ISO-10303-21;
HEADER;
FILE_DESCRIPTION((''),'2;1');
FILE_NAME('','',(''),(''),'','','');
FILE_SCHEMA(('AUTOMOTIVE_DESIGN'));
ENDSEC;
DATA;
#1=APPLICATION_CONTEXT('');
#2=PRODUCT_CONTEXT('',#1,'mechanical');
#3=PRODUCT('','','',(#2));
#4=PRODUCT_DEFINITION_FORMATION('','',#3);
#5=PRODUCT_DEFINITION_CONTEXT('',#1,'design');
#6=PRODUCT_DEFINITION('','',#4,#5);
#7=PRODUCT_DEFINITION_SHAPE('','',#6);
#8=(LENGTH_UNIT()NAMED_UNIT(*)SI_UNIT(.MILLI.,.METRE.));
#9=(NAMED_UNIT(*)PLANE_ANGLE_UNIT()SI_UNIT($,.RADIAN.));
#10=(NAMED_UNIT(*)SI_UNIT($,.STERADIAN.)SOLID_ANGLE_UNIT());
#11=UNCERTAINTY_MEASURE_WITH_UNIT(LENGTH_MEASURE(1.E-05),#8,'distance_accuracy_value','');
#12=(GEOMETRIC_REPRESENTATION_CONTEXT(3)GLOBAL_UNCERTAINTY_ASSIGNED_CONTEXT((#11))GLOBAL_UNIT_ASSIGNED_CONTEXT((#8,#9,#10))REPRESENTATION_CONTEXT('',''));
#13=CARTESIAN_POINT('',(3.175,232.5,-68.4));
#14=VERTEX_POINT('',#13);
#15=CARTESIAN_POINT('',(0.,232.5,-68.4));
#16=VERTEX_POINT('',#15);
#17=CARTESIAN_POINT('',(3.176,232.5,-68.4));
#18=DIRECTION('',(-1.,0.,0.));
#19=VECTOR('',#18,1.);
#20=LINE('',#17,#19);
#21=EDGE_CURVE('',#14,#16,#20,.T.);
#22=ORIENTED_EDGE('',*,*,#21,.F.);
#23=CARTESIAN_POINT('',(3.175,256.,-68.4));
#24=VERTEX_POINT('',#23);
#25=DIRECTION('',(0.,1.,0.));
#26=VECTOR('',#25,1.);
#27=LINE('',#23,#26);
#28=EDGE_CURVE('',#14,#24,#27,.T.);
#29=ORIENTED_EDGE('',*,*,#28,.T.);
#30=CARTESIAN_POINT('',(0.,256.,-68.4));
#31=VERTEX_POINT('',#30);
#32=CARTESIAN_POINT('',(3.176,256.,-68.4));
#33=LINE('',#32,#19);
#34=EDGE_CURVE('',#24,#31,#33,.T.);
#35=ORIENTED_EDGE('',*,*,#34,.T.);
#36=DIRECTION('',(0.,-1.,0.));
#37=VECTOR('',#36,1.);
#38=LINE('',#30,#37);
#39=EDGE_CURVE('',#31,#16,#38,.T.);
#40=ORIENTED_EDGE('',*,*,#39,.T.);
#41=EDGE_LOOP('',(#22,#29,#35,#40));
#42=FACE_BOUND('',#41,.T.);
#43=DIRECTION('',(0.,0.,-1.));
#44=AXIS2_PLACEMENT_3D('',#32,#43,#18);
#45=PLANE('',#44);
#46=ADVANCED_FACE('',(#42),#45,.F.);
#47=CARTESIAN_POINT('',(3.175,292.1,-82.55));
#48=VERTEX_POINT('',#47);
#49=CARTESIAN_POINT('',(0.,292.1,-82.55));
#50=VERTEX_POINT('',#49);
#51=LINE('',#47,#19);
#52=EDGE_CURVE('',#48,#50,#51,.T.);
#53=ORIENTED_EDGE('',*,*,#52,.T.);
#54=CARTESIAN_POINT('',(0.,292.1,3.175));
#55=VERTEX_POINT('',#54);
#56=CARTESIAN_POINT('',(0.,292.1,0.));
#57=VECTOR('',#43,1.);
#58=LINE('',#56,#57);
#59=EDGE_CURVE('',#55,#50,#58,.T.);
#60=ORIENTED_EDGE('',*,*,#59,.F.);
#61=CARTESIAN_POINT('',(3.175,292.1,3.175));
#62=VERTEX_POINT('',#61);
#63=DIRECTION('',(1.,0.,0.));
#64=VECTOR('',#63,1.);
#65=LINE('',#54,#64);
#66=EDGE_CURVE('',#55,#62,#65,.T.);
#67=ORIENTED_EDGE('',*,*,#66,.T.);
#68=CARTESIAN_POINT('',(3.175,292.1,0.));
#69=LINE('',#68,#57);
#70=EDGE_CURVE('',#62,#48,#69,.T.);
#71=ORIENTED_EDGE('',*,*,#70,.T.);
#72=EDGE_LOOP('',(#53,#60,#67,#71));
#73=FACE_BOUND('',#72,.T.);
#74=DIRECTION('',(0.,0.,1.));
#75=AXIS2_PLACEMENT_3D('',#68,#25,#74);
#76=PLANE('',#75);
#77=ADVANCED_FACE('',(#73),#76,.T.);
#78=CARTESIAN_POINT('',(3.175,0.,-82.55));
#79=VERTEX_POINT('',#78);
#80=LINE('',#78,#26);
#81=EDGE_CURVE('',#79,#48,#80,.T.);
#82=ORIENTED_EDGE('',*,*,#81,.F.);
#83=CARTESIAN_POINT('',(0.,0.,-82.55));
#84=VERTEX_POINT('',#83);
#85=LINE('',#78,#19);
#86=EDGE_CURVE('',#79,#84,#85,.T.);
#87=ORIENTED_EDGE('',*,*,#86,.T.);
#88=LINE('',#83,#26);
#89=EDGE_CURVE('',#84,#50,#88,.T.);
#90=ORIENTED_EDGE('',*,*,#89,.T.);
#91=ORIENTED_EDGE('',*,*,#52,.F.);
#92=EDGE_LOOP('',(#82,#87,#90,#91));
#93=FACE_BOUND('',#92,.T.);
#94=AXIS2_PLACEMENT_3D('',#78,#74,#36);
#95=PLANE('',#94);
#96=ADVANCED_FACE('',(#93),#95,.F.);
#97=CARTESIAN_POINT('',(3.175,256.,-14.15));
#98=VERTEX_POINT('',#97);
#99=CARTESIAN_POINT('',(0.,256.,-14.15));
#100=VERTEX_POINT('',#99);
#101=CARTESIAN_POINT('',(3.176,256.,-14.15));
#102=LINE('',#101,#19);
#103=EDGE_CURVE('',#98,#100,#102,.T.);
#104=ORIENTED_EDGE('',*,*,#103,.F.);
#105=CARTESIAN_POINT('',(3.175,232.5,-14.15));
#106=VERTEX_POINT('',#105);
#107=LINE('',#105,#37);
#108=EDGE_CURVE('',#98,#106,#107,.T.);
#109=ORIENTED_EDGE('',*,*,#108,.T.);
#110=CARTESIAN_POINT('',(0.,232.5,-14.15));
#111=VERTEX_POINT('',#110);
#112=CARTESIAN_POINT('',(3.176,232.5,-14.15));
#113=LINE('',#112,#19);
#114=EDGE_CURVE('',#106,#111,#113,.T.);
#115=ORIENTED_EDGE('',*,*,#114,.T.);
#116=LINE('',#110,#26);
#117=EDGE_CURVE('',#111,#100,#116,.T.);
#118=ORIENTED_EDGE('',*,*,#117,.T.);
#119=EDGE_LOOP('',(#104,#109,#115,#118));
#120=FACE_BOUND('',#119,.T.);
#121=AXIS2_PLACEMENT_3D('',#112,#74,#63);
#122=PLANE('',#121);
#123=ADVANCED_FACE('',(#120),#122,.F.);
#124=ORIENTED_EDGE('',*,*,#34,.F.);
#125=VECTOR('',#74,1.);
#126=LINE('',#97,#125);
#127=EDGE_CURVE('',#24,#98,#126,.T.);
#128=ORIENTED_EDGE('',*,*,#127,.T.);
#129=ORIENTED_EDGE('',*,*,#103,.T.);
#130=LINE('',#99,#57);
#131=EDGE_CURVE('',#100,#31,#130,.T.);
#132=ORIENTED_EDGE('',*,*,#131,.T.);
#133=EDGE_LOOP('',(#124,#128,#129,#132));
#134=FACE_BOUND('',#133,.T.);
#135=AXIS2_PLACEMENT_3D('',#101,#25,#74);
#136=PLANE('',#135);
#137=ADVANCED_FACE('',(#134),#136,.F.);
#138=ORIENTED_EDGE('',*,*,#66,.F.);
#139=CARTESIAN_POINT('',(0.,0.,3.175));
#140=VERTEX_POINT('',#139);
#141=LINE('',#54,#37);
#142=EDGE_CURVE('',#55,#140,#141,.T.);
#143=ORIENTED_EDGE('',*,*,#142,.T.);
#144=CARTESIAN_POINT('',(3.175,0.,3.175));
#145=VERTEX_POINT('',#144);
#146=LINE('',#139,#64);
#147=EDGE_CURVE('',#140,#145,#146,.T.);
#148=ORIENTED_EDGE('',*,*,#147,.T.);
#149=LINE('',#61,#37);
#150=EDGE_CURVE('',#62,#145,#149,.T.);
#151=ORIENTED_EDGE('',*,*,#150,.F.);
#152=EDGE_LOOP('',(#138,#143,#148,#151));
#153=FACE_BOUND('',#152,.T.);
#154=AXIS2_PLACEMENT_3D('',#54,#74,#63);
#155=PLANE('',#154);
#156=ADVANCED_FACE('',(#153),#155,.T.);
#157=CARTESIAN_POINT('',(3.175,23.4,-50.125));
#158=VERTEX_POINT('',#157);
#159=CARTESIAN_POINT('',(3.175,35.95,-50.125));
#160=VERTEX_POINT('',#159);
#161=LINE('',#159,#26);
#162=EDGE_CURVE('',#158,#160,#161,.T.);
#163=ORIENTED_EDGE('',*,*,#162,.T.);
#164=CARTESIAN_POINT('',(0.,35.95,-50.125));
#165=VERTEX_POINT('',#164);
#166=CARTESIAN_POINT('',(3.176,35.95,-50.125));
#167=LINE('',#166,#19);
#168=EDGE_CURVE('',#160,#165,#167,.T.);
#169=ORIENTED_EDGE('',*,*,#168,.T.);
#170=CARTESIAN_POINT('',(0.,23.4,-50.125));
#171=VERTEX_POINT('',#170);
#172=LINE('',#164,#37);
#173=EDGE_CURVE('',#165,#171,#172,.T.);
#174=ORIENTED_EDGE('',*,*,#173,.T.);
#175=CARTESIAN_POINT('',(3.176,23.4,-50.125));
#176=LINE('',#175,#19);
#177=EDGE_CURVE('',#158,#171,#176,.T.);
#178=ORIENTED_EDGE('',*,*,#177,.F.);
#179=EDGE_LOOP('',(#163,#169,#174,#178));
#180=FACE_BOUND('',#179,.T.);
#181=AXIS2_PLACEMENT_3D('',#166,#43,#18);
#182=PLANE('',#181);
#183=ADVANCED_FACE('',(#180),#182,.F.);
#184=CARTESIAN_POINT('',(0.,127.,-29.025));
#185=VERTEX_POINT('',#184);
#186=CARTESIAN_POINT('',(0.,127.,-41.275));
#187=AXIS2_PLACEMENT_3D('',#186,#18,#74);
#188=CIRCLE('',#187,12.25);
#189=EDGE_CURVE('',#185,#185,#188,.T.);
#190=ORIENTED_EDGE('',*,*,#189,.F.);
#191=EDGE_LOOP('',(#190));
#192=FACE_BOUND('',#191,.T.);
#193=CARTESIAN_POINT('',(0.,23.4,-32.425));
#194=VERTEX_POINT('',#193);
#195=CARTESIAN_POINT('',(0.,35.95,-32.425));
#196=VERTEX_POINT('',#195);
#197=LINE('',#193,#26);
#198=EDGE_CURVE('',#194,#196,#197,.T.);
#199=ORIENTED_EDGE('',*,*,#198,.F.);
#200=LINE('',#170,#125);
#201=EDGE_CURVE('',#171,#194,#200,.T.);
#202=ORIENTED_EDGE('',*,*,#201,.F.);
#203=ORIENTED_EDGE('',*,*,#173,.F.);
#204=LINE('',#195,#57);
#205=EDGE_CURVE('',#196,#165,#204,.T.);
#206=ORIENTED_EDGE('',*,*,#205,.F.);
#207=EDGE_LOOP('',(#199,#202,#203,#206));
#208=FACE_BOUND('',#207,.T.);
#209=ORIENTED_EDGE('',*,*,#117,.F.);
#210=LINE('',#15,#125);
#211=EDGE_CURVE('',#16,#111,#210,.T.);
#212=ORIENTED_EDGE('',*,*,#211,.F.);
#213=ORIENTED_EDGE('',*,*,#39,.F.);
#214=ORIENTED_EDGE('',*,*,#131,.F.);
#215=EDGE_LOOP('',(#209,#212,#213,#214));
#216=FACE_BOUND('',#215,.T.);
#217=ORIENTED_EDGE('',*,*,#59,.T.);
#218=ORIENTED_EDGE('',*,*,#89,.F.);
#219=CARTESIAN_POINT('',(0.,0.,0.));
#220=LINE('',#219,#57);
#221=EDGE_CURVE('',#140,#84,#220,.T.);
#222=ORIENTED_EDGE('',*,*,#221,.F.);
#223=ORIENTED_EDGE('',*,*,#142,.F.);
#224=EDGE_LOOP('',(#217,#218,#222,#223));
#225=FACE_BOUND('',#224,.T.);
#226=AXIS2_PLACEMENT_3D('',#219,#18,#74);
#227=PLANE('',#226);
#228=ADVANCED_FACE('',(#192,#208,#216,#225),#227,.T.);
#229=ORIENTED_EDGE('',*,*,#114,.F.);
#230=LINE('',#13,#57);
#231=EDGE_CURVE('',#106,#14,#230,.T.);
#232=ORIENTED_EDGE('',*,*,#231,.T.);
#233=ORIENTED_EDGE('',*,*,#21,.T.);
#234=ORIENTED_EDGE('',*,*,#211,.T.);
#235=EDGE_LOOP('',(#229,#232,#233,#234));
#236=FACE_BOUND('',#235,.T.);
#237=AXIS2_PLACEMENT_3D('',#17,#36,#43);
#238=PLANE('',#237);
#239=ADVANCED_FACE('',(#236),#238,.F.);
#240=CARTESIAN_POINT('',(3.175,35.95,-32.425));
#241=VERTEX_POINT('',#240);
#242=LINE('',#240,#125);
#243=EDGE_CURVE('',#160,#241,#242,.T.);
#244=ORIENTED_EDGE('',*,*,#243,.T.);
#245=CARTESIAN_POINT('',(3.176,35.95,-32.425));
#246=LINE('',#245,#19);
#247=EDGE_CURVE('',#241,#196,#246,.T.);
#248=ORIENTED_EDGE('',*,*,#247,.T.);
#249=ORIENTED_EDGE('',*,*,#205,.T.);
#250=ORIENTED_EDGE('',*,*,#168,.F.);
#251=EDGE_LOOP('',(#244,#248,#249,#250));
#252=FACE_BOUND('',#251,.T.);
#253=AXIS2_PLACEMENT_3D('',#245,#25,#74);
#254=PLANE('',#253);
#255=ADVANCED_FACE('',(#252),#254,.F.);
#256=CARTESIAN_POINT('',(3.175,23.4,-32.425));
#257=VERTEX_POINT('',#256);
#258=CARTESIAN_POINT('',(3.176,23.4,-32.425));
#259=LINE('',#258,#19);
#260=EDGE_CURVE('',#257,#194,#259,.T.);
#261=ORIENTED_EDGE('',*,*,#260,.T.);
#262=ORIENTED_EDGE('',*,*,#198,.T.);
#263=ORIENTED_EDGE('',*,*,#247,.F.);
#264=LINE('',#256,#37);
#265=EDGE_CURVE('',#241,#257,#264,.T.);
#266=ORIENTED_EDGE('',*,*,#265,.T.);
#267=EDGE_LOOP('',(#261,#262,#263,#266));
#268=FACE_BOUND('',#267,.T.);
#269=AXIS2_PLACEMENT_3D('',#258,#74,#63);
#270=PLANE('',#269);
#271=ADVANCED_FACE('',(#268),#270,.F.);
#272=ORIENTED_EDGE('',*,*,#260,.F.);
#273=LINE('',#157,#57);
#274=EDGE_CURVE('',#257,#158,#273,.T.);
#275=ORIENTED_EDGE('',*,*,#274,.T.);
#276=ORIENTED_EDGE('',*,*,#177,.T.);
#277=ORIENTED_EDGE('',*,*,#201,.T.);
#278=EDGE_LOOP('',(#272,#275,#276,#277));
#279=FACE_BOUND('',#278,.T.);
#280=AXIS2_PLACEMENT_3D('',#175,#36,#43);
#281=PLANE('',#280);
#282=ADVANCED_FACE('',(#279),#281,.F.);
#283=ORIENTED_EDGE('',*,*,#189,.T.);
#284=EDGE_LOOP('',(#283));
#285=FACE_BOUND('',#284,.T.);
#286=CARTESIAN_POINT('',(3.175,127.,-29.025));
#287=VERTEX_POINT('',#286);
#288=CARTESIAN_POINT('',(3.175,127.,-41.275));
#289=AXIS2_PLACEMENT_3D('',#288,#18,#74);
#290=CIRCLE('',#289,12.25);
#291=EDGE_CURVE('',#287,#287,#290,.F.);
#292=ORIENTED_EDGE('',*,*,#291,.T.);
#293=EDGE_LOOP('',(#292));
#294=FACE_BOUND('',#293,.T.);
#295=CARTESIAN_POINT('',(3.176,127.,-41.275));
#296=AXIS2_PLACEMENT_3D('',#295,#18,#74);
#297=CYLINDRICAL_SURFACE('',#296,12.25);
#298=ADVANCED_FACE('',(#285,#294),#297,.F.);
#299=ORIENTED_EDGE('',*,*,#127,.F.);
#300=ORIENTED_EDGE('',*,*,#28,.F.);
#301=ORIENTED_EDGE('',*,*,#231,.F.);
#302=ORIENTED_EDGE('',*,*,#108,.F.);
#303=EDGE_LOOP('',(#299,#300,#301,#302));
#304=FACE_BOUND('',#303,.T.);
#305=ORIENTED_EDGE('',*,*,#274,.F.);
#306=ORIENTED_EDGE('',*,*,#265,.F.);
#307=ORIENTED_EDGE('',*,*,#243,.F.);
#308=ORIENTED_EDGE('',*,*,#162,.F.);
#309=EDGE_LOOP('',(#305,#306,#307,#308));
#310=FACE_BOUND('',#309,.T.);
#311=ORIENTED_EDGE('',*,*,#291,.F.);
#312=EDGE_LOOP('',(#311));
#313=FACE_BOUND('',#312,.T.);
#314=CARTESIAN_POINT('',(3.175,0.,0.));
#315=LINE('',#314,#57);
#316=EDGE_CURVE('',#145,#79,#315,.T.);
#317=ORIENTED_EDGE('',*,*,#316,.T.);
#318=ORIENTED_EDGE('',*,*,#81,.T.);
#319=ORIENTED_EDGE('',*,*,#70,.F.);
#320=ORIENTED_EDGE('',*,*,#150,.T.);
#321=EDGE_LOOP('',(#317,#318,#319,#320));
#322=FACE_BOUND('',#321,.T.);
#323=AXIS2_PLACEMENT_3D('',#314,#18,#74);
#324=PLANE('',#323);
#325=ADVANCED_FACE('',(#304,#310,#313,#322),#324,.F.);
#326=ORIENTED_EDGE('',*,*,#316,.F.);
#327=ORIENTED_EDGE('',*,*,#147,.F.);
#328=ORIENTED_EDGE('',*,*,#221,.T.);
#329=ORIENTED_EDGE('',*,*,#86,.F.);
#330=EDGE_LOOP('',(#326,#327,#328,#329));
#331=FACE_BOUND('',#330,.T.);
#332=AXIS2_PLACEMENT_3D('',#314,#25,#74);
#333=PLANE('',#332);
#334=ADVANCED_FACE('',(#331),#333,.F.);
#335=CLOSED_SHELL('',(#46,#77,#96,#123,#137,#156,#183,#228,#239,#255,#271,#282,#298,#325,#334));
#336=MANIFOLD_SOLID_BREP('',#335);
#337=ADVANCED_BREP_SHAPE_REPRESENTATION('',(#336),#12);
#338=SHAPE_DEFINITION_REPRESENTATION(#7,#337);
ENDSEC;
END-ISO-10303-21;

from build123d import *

# Parameters (mm, degrees)
SKETCH1_W           = 82.55
SKETCH1_H           = 292.1
BOSS_EXTRUDE1_DEPTH = 3.175
CUT_EXTRUDE1_REACH  = 305.557
SKETCH2_W           = 50.25
SKETCH2_H           = 19.5
CUT_EXTRUDE2_REACH  = 305.557
SKETCH4_R           = 10.25
CUT_EXTRUDE3_REACH  = 305.557
SKETCH5_W           = 13.7
SKETCH5_H           = 8.55
CUT_EXTRUDE4_REACH  = 305.557
SKETCH6_R           = 12.25
SKETCH6_R_2         = 10.25
SKETCH6_W           = 54.25
SKETCH6_H           = 23.5
SKETCH6_W_2         = 50.25
SKETCH6_H_2         = 19.5
SKETCH6_W_3         = 17.7
SKETCH6_H_3         = 12.55
SKETCH6_W_4         = 13.7
SKETCH6_H_4         = 8.55
SKETCH7_W           = 3.175
SKETCH7_H           = 292.1
BOSS_EXTRUDE2_DEPTH = 3.175


with BuildPart() as part:
    # Sketch1 → Boss-Extrude1 (new body)
    with BuildSketch(Plane(origin=(0, 0, 0), x_dir=(0, 0, -1), z_dir=(1, 0, 0))):
        with Locations((41.275, 146.05)):
            Rectangle(SKETCH1_W, SKETCH1_H)
    extrude(amount=BOSS_EXTRUDE1_DEPTH)

    # Sketch2 → Cut-Extrude1 (cut, up to next)
    with BuildSketch(Plane.ZY, mode=Mode.PRIVATE) as cut_extrude1_sk1:
        with Locations((-41.275, 244.25)):
            Rectangle(SKETCH2_W, SKETCH2_H)
    cut_extrude1_tool1 = extrude(cut_extrude1_sk1.sketch, amount=-CUT_EXTRUDE1_REACH, mode=Mode.PRIVATE) & part.part
    add(cut_extrude1_tool1.solids().sort_by_distance((0, 244.25, -41.275))[0], mode=Mode.SUBTRACT)

    # Sketch4 → Cut-Extrude2 (cut, up to next)
    with BuildSketch(Plane.ZY, mode=Mode.PRIVATE) as cut_extrude2_sk1:
        with Locations((-41.275, 127)):
            Circle(SKETCH4_R)
    cut_extrude2_tool1 = extrude(cut_extrude2_sk1.sketch, amount=-CUT_EXTRUDE2_REACH, mode=Mode.PRIVATE) & part.part
    add(cut_extrude2_tool1.solids().sort_by_distance((0, 127, -41.275))[0], mode=Mode.SUBTRACT)

    # Sketch5 → Cut-Extrude3 (cut, up to next)
    with BuildSketch(Plane.ZY, mode=Mode.PRIVATE) as cut_extrude3_sk1:
        with Locations((-41.275, 29.675)):
            Rectangle(SKETCH5_W, SKETCH5_H)
    cut_extrude3_tool1 = extrude(cut_extrude3_sk1.sketch, amount=-CUT_EXTRUDE3_REACH, mode=Mode.PRIVATE) & part.part
    add(cut_extrude3_tool1.solids().sort_by_distance((0, 29.675, -41.275))[0], mode=Mode.SUBTRACT)

    # Sketch6 → Cut-Extrude4 (cut, up to next)
    with BuildSketch(Plane.ZY, mode=Mode.PRIVATE) as cut_extrude4_sk1:
        with Locations((-41.275, 127)):
            Circle(SKETCH6_R)
        with Locations((-41.275, 127)):
            Circle(SKETCH6_R_2, mode=Mode.SUBTRACT)
    cut_extrude4_tool1 = extrude(cut_extrude4_sk1.sketch, amount=-CUT_EXTRUDE4_REACH, mode=Mode.PRIVATE) & part.part
    # Sketch6 → Cut-Extrude4 (cut, up to next)
    with BuildSketch(Plane.ZY, mode=Mode.PRIVATE) as cut_extrude4_sk2:
        with Locations((-41.275, 244.25)):
            Rectangle(SKETCH6_W, SKETCH6_H)
        with Locations((-41.275, 244.25)):
            Rectangle(SKETCH6_W_2, SKETCH6_H_2, mode=Mode.SUBTRACT)
    cut_extrude4_tool2 = extrude(cut_extrude4_sk2.sketch, amount=-CUT_EXTRUDE4_REACH, mode=Mode.PRIVATE) & part.part
    # Sketch6 → Cut-Extrude4 (cut, up to next)
    with BuildSketch(Plane.ZY, mode=Mode.PRIVATE) as cut_extrude4_sk3:
        with Locations((-41.275, 29.675)):
            Rectangle(SKETCH6_W_3, SKETCH6_H_3)
        with Locations((-41.275, 29.675)):
            Rectangle(SKETCH6_W_4, SKETCH6_H_4, mode=Mode.SUBTRACT)
    cut_extrude4_tool3 = extrude(cut_extrude4_sk3.sketch, amount=-CUT_EXTRUDE4_REACH, mode=Mode.PRIVATE) & part.part
    add(cut_extrude4_tool1.solids().sort_by_distance((0, 127, -53.178518))[0], mode=Mode.SUBTRACT)
    add(cut_extrude4_tool2.solids().sort_by_distance((0, 255.408788, -41.275))[0], mode=Mode.SUBTRACT)
    add(cut_extrude4_tool3.solids().sort_by_distance((0, 35.733022, -41.275))[0], mode=Mode.SUBTRACT)


with BuildPart() as body_2:
    # Sketch7 → Boss-Extrude2 (new body)
    with BuildSketch(Plane(origin=(3.175, 0, 0), x_dir=(0, 0, -1), z_dir=(1, 0, 0))):
        with Locations((-1.5875, 146.05)):
            Rectangle(SKETCH7_W, SKETCH7_H)
    extrude(amount=-BOSS_EXTRUDE2_DEPTH)


with BuildPart() as part_1:
    add(part.part)

    # Combine1: union body 2
    add(body_2.part)


solid = part_1.part
